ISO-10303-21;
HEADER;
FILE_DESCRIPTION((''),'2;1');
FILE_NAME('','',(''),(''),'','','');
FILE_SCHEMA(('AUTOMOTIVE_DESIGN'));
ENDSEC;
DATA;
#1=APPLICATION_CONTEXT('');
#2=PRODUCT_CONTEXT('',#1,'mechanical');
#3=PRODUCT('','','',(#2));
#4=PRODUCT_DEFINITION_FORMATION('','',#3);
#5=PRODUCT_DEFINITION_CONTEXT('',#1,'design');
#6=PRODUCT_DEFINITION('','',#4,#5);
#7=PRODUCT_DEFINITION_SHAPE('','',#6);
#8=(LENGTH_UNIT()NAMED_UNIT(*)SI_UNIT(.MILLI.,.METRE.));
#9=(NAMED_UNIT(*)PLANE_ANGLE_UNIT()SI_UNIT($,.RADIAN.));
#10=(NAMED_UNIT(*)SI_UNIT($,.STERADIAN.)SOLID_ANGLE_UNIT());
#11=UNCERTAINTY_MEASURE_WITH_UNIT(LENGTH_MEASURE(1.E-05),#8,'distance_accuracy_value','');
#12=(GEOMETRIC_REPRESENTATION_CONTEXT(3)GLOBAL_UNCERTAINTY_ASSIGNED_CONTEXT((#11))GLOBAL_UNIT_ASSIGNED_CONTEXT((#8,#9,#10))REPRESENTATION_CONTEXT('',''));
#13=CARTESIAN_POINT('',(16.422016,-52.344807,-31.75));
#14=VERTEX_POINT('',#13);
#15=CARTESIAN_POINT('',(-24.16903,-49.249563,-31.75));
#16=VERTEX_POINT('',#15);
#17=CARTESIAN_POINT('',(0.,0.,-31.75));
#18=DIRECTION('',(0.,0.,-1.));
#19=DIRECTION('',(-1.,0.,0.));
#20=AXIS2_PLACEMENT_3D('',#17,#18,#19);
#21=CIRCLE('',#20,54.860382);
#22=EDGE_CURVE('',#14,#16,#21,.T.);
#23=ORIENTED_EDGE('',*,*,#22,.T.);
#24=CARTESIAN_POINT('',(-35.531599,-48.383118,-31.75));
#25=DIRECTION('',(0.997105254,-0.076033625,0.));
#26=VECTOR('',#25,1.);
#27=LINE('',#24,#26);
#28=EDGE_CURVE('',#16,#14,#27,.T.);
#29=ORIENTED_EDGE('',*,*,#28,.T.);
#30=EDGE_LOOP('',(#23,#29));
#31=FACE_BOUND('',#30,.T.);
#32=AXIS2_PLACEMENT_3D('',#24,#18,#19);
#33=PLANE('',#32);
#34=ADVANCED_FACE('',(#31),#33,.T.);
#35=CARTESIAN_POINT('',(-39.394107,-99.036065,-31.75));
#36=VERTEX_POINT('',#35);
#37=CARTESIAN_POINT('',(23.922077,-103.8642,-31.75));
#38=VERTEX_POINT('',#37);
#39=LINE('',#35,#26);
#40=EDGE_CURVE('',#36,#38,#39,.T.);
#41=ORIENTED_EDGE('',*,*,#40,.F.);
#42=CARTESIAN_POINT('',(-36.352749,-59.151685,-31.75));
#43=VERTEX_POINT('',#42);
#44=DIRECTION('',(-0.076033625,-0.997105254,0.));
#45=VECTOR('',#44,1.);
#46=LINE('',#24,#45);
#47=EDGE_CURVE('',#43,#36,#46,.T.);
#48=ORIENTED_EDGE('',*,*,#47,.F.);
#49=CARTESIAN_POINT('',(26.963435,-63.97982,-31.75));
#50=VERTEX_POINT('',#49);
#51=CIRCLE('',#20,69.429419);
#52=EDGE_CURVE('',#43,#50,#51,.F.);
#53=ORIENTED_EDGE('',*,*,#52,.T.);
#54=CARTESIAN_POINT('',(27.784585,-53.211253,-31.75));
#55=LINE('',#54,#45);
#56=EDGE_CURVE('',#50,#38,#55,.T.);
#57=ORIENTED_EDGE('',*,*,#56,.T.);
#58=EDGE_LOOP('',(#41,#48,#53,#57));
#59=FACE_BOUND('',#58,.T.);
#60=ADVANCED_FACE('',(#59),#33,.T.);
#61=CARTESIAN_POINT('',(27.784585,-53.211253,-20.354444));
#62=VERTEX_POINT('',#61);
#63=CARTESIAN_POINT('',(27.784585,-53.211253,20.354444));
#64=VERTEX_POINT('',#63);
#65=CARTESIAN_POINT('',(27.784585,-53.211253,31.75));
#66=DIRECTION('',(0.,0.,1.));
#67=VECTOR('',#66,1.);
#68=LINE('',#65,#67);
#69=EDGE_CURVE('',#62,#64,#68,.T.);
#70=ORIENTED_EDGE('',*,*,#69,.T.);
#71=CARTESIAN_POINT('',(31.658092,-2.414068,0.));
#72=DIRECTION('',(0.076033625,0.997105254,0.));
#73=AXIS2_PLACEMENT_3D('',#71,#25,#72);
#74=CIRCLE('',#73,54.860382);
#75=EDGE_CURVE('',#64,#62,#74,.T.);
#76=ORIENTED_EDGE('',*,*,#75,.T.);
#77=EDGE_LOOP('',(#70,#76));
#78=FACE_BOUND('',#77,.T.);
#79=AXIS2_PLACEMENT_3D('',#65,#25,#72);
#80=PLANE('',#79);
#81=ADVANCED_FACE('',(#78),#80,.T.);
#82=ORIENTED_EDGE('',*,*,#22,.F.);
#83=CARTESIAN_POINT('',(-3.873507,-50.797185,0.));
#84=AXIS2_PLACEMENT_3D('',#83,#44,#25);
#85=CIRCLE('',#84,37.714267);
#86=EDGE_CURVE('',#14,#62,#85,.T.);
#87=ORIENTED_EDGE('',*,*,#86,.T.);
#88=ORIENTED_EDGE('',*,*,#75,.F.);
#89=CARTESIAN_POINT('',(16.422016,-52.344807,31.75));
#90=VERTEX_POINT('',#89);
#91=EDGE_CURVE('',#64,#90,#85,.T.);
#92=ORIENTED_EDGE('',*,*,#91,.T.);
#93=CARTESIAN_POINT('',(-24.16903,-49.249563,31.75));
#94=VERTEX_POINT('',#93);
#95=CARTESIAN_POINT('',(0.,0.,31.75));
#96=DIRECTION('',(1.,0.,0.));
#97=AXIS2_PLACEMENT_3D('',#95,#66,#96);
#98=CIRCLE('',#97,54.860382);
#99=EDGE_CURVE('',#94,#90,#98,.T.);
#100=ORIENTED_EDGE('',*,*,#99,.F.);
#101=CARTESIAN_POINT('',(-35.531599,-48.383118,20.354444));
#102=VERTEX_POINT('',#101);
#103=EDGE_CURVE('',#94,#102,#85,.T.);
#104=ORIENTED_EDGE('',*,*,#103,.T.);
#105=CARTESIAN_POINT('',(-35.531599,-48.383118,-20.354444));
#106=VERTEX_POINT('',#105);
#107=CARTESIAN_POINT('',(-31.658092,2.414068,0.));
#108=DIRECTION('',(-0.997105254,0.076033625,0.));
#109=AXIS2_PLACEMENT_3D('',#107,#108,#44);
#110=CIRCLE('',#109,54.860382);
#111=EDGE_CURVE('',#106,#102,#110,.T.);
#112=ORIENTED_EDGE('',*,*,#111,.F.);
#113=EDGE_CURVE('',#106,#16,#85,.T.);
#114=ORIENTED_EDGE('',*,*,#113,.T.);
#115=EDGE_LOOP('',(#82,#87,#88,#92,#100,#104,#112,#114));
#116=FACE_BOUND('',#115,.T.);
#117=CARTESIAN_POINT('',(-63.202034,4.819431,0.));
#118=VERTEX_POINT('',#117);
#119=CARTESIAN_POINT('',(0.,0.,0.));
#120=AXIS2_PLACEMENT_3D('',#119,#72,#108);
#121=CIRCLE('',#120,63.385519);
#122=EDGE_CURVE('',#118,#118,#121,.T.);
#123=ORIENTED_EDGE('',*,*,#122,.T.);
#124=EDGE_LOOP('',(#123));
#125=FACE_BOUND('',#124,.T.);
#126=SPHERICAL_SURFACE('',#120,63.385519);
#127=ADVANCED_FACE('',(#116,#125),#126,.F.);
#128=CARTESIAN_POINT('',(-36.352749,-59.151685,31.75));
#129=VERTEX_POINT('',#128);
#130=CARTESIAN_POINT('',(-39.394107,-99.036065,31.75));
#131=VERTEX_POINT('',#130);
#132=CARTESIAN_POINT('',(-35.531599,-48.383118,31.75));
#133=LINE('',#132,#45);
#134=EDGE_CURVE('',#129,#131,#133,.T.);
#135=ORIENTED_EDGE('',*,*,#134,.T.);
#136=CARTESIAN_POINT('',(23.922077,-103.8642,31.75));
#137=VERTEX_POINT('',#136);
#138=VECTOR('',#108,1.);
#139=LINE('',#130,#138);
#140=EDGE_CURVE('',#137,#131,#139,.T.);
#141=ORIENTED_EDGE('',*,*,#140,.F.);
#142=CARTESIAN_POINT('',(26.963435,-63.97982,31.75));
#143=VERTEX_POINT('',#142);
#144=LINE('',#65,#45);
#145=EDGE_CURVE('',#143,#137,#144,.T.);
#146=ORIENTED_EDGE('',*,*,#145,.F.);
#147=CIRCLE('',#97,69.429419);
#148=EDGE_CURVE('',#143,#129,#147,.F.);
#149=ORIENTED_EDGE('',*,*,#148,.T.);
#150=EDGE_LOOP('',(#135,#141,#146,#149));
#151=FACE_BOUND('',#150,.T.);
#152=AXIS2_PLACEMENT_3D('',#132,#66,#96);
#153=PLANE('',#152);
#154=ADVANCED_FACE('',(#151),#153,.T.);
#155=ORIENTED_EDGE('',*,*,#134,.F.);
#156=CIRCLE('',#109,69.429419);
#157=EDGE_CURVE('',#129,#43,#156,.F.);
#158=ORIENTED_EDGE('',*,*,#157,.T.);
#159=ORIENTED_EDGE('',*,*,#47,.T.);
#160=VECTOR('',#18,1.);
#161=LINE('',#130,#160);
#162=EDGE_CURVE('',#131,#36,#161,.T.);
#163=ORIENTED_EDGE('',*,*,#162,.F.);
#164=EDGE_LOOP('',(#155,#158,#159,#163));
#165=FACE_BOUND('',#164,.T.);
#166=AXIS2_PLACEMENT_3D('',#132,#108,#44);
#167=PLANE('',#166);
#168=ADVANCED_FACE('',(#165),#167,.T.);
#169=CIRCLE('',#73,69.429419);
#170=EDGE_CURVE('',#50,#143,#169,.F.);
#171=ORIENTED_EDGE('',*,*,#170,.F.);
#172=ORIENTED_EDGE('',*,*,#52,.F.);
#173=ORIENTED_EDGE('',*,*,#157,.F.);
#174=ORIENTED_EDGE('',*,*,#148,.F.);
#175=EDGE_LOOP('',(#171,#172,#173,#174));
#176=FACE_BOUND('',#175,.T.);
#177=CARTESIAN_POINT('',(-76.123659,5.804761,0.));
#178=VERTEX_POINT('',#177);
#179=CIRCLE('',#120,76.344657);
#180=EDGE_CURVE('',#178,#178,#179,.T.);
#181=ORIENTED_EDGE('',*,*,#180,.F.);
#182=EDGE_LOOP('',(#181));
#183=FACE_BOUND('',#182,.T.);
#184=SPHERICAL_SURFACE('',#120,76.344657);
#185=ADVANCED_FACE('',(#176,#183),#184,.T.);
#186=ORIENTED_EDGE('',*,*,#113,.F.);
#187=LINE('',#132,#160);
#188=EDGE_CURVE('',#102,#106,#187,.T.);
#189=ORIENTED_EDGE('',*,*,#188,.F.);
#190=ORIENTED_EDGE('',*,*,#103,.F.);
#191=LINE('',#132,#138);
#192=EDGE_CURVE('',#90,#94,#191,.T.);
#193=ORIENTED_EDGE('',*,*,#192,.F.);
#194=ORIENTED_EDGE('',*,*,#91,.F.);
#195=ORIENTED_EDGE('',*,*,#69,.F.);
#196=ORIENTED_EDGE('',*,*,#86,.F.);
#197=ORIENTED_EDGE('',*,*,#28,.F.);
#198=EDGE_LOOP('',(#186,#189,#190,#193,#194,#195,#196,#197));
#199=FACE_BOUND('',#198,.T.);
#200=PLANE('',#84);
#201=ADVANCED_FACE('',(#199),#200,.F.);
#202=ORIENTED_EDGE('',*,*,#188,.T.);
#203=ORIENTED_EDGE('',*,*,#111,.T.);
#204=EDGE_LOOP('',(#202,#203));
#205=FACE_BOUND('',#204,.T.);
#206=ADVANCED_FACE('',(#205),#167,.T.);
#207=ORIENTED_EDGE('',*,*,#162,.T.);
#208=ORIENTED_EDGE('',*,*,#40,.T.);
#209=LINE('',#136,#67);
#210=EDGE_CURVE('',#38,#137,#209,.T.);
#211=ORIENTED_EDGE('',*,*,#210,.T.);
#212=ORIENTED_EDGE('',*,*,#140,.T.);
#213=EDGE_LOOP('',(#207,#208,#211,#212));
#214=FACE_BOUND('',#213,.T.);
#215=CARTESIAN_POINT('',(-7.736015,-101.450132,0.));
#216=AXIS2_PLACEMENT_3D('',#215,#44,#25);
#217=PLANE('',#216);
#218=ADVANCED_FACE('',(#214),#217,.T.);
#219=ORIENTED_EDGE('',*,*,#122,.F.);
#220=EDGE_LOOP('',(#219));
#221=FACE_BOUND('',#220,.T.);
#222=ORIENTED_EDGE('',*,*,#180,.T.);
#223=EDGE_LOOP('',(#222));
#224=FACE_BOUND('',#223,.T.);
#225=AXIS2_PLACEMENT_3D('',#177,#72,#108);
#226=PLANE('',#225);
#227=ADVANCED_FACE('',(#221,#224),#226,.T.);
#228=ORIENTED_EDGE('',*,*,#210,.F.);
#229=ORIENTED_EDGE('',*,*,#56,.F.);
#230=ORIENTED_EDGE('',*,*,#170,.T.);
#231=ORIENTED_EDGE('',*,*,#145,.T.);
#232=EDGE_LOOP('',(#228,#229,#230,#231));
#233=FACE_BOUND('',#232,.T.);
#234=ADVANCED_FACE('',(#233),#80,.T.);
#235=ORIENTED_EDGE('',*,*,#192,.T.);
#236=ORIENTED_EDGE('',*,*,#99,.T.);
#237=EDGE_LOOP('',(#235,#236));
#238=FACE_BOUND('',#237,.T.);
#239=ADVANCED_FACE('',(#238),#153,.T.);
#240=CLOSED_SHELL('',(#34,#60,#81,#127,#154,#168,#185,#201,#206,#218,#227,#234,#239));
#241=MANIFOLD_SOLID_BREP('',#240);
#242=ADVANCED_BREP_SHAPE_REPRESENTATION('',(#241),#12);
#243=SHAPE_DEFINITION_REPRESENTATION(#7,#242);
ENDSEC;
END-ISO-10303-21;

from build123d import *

# Parameters (mm, degrees)
BOSS_EXTRUDE2_DEPTH      = 25.4
BOSS_EXTRUDE2_DEPTH_BACK = 25.4
SKETCH3_W                = 63.5
SKETCH3_H                = 63.5


with BuildPart() as part:
    # Sketch1 → Revolve1 (revolve)
    with BuildSketch(Plane.XY):
        with BuildLine():
            Line((-76.123658673, 5.804761032), (-63.20203376, 4.819430767))
            ThreePointArc((-63.20203376, 4.819430767), (-48.098438833, -41.28273448), (-4.819430767, -63.20203376))
            Line((-4.819430767, -63.20203376), (-5.804761032, -76.123658673))
            ThreePointArc((-5.804761032, -76.123658673), (-57.932141145, -49.722969368), (-76.123658673, 5.804761032))
        make_face()
    revolve(axis=Axis((0, 0, 0), (-0.07603362508452277, -0.9971052541514894, 0)))

    # Sketch3 → Boss-Extrude2 (add, two sides: drawn at the far end of the back side and taken through both)
    with BuildSketch(Plane(origin=(-5.804761032, -76.123658673, 0), x_dir=(-0.9971052541514894, 0.07603362508452276, 0), z_dir=(-0.07603362508452274, -0.9971052541514893, 0)).offset(-BOSS_EXTRUDE2_DEPTH_BACK)):
        Rectangle(SKETCH3_W, SKETCH3_H)
    extrude(amount=BOSS_EXTRUDE2_DEPTH + BOSS_EXTRUDE2_DEPTH_BACK)


solid = part.part
